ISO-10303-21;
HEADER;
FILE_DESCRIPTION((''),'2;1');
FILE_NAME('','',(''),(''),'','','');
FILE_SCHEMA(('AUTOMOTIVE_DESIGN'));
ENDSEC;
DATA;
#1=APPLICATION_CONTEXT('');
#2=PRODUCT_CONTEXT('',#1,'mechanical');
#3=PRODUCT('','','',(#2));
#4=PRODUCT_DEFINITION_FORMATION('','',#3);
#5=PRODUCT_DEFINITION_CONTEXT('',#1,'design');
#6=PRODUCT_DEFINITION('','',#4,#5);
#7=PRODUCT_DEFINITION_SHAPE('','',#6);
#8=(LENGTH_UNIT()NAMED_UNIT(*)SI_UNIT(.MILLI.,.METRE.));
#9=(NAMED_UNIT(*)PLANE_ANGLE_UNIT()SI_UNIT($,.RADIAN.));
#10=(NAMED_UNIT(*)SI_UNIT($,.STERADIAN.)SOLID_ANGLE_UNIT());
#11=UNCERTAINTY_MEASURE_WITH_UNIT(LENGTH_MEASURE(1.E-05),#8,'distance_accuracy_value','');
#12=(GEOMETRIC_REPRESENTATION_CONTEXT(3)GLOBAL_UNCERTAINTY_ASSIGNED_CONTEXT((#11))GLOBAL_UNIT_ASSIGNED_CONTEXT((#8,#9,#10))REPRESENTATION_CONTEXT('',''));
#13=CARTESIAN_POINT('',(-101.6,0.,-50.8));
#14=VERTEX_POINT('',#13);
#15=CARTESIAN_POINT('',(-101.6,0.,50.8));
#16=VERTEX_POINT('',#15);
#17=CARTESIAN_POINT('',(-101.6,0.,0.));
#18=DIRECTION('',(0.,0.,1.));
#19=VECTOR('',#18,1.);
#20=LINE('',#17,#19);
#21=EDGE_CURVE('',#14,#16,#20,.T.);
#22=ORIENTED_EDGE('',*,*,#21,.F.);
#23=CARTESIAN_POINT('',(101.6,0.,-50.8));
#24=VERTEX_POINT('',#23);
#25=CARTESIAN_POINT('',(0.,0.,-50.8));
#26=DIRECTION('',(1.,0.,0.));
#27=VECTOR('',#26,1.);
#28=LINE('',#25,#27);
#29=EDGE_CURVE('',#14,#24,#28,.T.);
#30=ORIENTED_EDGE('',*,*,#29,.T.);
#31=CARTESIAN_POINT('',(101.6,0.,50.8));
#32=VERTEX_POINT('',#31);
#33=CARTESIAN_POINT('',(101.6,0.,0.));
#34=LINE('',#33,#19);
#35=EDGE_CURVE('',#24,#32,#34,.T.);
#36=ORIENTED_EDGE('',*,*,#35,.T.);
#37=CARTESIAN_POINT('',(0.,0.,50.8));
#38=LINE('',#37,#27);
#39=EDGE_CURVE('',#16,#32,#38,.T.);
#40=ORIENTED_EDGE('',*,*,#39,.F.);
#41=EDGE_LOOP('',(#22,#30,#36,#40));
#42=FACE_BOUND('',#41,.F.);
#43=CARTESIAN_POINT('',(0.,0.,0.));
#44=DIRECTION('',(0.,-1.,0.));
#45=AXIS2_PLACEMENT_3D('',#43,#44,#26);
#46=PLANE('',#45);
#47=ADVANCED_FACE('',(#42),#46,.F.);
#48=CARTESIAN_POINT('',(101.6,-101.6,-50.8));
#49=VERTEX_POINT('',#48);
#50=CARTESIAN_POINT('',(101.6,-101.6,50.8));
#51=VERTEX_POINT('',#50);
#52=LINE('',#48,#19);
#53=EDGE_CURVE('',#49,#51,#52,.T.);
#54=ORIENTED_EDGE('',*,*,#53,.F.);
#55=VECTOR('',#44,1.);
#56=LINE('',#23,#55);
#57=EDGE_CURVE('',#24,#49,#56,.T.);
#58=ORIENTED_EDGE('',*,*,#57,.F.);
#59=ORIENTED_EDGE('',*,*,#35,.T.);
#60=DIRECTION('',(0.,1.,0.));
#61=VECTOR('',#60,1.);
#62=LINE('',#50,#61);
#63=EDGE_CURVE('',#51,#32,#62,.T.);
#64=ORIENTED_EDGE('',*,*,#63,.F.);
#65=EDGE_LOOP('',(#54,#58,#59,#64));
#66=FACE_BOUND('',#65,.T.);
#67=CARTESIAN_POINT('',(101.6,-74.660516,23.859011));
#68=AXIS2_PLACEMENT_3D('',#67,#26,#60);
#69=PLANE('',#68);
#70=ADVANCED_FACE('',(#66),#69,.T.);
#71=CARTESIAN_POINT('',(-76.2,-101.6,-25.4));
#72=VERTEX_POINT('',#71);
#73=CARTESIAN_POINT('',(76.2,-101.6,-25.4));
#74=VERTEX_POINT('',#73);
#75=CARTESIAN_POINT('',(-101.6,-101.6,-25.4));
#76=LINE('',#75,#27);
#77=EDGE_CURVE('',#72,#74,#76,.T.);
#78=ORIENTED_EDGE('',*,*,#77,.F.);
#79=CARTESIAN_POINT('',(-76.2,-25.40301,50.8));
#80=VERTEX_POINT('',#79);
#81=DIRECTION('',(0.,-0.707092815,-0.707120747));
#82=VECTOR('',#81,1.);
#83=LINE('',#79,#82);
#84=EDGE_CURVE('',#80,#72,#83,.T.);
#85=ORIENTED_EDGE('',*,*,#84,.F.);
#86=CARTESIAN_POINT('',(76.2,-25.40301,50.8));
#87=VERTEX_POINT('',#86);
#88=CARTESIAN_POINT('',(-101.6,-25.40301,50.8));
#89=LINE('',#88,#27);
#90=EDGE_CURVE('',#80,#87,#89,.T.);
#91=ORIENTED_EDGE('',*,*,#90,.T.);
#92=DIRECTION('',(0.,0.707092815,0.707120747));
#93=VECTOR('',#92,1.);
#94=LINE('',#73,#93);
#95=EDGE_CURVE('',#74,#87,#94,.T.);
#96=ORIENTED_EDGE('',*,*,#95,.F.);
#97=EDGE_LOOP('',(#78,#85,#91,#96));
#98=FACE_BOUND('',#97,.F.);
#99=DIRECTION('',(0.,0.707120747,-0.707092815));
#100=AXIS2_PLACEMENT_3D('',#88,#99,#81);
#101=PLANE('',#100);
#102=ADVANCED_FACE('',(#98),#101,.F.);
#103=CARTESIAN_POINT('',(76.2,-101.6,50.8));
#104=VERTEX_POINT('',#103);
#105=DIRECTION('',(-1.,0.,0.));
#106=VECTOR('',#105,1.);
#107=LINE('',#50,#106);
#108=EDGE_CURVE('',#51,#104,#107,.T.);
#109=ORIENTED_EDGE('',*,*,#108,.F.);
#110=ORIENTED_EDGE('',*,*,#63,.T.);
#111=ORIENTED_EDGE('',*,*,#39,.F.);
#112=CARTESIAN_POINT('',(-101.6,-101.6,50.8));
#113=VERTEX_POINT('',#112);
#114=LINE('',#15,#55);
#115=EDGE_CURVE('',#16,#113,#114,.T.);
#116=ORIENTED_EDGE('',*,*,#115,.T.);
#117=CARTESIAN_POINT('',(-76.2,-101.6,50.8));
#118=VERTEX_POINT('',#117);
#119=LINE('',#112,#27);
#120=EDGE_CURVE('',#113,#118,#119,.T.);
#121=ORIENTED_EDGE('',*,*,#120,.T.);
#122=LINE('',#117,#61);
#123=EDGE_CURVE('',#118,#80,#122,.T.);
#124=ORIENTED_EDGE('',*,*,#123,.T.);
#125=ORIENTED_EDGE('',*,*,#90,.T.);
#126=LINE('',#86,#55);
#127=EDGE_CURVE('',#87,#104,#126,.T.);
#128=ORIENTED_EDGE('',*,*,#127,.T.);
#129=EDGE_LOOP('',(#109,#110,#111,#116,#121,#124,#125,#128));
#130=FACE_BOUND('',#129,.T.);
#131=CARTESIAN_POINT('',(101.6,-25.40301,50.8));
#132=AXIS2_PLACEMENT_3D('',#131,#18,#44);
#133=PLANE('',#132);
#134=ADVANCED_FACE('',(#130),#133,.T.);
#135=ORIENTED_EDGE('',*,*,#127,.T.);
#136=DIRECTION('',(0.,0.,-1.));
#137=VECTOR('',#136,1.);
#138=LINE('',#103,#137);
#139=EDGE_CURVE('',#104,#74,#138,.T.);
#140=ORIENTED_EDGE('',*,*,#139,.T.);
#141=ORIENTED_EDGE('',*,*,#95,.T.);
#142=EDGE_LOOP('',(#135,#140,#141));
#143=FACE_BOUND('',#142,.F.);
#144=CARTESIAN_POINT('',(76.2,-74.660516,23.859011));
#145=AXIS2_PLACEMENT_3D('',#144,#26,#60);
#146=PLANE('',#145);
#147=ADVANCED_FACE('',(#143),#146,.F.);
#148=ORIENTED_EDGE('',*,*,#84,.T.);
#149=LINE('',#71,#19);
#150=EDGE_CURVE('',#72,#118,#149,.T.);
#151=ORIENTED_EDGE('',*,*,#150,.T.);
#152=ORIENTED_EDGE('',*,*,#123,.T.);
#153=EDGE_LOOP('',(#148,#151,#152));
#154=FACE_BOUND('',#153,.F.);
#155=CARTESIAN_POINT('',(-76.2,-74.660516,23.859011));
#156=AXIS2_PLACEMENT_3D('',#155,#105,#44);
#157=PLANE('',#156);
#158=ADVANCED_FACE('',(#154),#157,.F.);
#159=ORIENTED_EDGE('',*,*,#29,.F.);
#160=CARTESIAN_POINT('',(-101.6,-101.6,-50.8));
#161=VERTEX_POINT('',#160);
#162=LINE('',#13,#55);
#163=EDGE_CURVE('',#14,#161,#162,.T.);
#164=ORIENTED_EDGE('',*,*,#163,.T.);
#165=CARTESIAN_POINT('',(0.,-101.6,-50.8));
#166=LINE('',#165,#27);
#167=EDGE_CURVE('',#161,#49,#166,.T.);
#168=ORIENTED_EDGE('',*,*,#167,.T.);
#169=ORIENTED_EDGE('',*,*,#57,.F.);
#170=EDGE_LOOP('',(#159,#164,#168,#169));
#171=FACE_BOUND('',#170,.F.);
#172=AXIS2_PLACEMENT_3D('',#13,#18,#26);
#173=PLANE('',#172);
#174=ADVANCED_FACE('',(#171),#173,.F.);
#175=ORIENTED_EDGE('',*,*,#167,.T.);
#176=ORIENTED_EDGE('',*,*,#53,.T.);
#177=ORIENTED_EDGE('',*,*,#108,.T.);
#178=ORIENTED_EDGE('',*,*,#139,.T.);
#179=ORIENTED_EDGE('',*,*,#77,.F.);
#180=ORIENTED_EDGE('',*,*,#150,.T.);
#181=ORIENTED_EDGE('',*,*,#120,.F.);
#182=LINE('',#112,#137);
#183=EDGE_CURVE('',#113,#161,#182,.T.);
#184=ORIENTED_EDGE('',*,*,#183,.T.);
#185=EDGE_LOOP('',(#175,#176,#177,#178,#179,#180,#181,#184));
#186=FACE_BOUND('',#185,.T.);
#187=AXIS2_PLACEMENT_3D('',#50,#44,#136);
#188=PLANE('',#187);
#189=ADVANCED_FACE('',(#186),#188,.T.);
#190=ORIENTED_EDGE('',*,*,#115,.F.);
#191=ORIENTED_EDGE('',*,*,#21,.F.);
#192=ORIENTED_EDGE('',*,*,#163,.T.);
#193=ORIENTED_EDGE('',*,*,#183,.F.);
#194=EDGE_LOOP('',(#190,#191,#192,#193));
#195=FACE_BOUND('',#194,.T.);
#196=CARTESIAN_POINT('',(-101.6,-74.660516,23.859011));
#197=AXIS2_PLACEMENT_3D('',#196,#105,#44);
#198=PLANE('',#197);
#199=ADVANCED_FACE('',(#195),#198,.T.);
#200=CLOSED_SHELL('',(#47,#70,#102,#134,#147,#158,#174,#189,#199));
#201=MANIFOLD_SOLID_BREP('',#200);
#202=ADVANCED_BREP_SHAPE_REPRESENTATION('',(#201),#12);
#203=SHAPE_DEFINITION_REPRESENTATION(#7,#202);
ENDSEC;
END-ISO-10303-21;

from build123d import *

# Parameters (mm, degrees)
F0_W     = 203.2
F0_H     = 101.6
F1_DEPTH = 101.6
F3_DEPTH = 203.2
F4_DEPTH = 25.4
F6_DEPTH = 25.4


with BuildPart() as f1:
    # F0 (on Front) → F1 (new body)
    with BuildSketch(Plane.XZ):
        Rectangle(F0_W, F0_H)
    extrude(amount=F1_DEPTH)

    # F2 (on face) → F3 (cut)
    with BuildSketch(Plane(origin=(-101.6, 0, 0), x_dir=(0, -1, 0), z_dir=(-1, 0, 0))):
        Polygon((101.6, 50.8), (25.40301, 50.8), (101.6, -25.4), align=None)
    extrude(amount=-F3_DEPTH, mode=Mode.SUBTRACT)

    # F2 (on face) → F4 (join)
    with BuildSketch(Plane(origin=(-101.6, 0, 0), x_dir=(0, -1, 0), z_dir=(-1, 0, 0))):
        Polygon((101.6, 50.8), (25.40301, 50.8), (101.6, -25.4), align=None)
    extrude(amount=-F4_DEPTH)

    # F5 (on face) → F6 (join)
    with BuildSketch(Plane.YZ.offset(101.6)):
        Polygon((-101.6, -25.4), (-25.40301, 50.8), (-101.6, 50.8), align=None)
    extrude(amount=-F6_DEPTH)


solid = f1.part
